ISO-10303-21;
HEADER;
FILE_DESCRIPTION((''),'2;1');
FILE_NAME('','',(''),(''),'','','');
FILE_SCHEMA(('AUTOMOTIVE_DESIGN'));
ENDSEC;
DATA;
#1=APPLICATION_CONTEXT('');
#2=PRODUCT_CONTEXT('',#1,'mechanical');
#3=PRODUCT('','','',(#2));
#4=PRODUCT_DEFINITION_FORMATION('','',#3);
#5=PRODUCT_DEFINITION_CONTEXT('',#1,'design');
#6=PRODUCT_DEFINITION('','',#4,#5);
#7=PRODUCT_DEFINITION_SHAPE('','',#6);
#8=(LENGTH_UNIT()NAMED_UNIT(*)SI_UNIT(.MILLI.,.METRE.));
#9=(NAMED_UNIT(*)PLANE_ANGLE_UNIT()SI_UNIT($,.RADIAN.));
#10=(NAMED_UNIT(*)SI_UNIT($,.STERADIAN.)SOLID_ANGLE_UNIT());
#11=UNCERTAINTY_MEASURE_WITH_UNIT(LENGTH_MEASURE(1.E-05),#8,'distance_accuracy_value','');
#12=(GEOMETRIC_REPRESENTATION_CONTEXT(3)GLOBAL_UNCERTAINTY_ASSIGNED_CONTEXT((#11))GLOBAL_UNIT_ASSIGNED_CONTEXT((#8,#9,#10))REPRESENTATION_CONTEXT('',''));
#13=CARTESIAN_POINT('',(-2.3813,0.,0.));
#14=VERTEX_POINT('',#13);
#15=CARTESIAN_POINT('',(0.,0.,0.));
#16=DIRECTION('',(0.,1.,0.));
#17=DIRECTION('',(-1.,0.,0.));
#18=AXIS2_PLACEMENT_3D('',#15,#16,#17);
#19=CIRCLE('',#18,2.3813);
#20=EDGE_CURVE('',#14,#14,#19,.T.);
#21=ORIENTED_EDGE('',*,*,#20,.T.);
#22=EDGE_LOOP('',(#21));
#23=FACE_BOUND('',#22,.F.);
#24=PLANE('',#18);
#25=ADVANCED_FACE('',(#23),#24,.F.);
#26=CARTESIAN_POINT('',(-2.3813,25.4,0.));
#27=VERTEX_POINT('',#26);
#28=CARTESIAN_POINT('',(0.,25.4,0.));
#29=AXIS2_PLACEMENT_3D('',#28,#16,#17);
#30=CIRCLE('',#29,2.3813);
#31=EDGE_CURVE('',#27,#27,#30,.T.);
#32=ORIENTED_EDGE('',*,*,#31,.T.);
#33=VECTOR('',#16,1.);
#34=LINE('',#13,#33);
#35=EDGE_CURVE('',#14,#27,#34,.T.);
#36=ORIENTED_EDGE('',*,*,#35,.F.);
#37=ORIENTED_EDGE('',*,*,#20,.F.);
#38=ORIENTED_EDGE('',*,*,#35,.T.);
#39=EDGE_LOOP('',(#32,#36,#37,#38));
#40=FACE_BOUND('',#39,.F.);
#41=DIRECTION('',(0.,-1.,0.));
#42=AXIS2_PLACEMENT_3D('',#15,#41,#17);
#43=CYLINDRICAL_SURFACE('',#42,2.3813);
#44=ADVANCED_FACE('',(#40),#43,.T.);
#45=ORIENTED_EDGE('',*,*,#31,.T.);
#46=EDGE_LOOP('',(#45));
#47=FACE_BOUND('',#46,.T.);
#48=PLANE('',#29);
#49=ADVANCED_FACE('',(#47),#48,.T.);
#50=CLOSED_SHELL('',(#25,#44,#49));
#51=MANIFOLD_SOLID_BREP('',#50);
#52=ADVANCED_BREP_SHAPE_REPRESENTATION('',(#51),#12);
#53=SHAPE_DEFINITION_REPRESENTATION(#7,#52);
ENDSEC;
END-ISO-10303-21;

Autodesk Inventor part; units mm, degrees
ref_plane "YZ Plane" through (0, 0, 0) normal (1, 0, 0) x (0, 1, 0)
ref_plane "XZ Plane" through (0, 0, 0) normal (0, 1, 0) x (-1, 0, 0)
ref_plane "XY Plane" through (0, 0, 0) normal (0, 0, 1) x (1, 0, 0)
sketch "Sketch1" plane through (0, 0, 0) normal (0, 1, 0) x (-1, 0, 0)
  circle A0 centre (0, 0) radius 2.3813
  dimension "d0" = 4.7625
extrude "Extrusion1" add sketch "Sketch1" along normal blind 25.4
properties part number "shafts"
